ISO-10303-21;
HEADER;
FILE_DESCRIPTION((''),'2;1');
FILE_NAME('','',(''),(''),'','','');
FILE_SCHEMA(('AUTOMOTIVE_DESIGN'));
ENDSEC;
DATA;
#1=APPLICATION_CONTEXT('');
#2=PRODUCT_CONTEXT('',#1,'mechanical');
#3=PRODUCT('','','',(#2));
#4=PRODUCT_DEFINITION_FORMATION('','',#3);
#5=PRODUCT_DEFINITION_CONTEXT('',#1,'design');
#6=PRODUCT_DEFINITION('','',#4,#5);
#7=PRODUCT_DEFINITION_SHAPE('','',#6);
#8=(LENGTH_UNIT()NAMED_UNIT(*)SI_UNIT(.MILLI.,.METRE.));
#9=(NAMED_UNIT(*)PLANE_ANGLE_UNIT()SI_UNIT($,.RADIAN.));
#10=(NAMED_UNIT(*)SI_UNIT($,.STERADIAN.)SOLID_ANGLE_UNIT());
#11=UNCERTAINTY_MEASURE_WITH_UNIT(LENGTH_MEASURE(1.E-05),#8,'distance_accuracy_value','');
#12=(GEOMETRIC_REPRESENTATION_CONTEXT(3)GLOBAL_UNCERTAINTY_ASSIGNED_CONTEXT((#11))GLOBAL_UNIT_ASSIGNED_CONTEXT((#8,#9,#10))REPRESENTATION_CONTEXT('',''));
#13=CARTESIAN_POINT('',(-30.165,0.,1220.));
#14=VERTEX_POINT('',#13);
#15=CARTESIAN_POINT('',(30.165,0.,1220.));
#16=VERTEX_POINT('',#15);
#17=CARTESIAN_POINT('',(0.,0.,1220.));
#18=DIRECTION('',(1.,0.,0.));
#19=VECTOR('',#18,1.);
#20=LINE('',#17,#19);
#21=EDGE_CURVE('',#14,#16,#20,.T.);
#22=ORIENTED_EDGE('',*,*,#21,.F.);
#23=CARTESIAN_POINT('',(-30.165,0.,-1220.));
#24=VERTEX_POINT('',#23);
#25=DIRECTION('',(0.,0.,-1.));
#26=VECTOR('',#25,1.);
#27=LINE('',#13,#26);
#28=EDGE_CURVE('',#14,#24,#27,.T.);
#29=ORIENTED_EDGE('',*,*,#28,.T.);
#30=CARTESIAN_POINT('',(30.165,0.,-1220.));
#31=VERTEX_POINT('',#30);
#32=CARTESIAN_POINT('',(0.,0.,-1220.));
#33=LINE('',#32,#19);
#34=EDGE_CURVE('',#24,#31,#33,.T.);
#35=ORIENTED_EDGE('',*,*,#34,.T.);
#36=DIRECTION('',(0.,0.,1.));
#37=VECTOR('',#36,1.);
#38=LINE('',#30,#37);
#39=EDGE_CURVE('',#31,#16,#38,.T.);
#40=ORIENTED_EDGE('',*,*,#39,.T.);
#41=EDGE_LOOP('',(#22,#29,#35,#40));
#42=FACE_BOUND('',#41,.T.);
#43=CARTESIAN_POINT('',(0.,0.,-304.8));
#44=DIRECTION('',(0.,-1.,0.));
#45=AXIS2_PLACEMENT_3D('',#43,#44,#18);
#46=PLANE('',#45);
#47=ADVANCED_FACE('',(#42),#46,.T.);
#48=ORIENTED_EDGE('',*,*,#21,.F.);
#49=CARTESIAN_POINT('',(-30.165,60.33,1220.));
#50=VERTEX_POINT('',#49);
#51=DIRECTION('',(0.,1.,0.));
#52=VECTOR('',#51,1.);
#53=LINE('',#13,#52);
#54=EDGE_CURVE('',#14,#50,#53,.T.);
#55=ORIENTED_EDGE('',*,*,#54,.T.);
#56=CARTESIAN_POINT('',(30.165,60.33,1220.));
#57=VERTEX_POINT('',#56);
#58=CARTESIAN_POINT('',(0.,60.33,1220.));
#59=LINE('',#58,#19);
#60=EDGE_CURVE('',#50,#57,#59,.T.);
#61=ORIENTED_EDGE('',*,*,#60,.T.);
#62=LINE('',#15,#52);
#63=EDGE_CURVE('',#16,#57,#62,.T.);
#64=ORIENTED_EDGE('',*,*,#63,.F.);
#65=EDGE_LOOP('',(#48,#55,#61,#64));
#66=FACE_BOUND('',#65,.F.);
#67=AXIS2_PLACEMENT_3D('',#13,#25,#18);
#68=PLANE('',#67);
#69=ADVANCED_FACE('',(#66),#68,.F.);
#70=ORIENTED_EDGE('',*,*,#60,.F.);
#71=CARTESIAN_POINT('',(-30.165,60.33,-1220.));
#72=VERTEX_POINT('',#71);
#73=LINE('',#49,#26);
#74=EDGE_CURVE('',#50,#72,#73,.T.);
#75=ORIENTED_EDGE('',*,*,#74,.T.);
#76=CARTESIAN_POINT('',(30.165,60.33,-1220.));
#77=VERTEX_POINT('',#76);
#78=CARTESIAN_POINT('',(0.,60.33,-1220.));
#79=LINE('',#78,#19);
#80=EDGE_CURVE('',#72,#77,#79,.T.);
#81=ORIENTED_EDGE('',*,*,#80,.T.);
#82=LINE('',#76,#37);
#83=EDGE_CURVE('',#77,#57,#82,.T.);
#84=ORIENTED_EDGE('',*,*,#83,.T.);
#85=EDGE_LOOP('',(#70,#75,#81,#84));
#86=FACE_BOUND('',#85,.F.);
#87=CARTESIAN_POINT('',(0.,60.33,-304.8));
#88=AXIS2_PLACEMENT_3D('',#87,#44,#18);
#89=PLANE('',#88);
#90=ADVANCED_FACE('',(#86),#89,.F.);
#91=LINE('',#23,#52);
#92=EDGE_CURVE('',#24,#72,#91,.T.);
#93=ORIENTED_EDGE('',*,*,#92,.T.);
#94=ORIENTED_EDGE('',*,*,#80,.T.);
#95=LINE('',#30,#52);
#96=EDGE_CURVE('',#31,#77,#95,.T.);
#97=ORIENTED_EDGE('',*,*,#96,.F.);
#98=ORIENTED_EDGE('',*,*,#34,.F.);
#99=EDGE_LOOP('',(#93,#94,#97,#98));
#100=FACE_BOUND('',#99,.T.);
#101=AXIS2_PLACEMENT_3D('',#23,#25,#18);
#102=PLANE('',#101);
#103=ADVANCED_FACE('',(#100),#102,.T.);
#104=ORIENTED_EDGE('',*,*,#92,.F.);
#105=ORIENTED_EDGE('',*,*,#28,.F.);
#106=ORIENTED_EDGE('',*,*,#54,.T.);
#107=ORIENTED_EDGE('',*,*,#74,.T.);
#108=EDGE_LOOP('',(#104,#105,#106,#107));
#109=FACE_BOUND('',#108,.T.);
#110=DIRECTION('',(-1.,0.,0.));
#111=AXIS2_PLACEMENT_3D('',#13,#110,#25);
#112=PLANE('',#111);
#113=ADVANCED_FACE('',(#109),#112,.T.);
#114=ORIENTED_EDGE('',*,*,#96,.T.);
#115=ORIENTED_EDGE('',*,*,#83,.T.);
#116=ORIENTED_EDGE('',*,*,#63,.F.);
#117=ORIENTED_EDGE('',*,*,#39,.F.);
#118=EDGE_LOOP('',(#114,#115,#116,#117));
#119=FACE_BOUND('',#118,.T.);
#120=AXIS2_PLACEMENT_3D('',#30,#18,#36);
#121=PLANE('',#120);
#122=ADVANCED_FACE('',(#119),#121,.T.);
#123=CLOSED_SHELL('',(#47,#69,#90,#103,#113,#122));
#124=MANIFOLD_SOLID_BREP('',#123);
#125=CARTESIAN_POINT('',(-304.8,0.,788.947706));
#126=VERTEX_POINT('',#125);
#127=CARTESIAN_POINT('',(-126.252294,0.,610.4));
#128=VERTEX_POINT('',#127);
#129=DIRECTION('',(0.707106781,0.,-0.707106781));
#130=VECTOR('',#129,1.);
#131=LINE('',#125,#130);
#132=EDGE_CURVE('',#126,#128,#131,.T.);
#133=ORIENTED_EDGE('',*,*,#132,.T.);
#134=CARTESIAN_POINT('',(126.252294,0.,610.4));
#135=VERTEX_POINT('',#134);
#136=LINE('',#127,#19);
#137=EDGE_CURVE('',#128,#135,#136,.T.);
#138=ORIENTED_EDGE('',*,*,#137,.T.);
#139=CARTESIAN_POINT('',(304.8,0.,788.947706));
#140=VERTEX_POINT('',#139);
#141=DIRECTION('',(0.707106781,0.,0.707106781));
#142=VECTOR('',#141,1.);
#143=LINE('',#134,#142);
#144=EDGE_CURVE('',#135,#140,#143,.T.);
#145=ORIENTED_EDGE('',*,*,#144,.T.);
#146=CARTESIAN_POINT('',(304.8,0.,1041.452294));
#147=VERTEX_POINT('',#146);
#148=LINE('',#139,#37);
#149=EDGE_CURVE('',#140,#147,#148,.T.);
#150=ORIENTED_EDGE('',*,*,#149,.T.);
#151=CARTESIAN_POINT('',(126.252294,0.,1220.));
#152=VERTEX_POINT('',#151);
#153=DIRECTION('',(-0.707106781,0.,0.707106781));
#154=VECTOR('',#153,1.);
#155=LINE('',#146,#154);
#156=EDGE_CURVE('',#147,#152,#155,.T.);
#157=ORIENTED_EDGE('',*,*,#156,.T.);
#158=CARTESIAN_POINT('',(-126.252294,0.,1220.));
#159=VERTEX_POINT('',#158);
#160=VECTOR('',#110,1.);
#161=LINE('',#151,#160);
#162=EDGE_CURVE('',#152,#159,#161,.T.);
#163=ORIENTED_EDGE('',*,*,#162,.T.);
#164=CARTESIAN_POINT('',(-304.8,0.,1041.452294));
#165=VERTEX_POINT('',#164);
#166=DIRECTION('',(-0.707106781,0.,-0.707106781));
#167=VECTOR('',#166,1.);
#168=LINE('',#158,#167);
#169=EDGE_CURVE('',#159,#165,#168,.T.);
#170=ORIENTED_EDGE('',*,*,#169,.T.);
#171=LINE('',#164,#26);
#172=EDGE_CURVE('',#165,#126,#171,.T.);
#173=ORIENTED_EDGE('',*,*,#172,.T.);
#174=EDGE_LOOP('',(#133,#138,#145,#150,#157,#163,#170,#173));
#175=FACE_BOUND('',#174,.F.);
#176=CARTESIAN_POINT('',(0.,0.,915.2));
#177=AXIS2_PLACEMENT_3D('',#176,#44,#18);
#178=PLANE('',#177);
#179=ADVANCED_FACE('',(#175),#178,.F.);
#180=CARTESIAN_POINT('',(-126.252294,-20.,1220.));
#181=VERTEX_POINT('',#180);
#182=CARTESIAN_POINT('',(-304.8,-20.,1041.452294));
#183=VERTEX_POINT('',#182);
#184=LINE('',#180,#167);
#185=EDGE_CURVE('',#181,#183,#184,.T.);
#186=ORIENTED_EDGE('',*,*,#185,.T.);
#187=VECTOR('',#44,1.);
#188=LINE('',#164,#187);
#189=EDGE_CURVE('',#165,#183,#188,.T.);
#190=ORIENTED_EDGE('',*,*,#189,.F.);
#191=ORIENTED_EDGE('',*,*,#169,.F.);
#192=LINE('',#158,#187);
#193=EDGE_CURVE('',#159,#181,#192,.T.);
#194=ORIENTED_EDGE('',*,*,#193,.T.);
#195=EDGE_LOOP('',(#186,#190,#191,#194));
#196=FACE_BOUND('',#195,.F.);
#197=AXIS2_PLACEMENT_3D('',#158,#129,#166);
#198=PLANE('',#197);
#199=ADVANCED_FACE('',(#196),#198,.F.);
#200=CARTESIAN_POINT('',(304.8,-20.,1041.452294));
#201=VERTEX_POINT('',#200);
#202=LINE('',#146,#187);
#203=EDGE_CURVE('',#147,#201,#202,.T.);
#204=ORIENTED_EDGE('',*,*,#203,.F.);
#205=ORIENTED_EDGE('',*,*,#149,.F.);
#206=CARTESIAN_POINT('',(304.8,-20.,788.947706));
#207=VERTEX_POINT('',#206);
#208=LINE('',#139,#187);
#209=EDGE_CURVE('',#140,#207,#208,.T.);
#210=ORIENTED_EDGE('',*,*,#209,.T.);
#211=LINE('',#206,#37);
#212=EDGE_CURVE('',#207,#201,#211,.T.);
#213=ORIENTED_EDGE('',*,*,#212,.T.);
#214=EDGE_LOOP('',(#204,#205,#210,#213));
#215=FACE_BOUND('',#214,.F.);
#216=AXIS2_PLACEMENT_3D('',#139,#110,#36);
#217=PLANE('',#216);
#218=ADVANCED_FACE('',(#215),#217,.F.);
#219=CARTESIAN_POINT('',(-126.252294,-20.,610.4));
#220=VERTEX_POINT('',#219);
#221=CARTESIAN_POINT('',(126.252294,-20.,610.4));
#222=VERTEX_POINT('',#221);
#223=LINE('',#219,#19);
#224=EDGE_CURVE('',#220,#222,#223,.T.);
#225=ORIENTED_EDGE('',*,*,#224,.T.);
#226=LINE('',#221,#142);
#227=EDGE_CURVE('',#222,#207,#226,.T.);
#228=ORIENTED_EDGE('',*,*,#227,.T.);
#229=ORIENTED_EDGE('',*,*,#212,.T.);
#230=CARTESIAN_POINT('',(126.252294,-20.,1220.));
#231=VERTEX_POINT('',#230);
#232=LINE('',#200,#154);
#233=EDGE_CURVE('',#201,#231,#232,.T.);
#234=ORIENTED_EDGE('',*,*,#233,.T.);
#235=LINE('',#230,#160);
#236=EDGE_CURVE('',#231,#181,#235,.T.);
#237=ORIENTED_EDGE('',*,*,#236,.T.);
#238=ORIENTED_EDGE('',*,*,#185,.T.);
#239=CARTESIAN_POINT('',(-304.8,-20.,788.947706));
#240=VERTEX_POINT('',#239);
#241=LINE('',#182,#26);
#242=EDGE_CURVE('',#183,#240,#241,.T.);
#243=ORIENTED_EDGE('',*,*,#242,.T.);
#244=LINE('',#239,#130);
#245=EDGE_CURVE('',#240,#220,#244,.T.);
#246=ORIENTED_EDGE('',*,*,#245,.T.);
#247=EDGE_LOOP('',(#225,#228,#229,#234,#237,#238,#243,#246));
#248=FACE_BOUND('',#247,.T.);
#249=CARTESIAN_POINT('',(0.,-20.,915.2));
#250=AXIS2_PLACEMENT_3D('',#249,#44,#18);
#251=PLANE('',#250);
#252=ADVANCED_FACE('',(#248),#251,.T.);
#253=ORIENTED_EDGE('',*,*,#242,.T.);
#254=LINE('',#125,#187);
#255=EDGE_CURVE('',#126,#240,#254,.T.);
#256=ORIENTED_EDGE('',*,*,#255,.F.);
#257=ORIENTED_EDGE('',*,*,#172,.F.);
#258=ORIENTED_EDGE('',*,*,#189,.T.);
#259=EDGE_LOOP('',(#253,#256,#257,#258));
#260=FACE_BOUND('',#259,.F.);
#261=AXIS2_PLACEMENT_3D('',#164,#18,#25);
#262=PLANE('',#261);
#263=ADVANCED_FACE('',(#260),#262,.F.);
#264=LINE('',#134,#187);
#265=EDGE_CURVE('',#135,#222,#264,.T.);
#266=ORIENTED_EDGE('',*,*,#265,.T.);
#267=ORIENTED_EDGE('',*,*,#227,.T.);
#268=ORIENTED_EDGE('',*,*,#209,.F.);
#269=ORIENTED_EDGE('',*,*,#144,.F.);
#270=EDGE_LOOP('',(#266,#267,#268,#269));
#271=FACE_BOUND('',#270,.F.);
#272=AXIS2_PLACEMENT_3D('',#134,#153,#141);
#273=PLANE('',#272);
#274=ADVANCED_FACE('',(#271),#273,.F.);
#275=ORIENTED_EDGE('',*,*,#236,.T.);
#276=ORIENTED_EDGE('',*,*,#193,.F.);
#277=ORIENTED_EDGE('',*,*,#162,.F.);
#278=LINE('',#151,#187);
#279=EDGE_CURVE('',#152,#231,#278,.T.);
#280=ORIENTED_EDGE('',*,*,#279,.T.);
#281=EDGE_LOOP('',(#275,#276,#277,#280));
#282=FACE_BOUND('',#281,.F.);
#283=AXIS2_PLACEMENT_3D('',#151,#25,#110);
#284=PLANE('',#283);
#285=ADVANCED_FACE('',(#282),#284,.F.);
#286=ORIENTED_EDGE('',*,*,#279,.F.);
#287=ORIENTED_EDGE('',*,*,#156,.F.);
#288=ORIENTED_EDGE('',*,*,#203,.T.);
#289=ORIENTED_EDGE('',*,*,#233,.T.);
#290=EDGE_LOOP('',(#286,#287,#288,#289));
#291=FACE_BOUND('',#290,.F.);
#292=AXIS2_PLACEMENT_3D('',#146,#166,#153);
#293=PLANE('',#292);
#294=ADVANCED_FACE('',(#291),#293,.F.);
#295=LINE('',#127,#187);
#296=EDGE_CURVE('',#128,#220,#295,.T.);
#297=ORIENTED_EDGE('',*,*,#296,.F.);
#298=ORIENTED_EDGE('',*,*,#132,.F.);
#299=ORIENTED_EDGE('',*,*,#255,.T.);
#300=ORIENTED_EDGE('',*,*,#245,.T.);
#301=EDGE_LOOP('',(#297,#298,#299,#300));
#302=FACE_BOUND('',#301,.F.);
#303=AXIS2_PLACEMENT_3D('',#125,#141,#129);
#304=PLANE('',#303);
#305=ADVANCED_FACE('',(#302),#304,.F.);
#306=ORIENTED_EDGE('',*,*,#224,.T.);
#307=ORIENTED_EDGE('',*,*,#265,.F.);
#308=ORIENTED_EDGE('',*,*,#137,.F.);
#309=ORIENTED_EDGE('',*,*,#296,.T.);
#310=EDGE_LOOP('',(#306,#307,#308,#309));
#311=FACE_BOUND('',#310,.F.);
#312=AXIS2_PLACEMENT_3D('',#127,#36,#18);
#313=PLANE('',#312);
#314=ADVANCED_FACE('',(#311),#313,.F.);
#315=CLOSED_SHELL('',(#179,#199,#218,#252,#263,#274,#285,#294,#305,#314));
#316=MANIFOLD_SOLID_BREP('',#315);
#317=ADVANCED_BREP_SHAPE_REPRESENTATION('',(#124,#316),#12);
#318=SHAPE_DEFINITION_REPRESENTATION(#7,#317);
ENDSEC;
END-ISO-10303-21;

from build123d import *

# Parameters (mm, degrees)
F1_W     = 60.33
F1_H     = 609.6
F2_DEPTH = 20
F1_H_2   = 1830.4
F3_DEPTH = 60.33


with BuildPart() as f2:
    # F1 (on Front) → F2 (new body)
    with BuildSketch(Plane.XZ):
        with Locations((0, 915.2)):
            Rectangle(F1_W, F1_H)
        Polygon((-30.165, 610.4), (-30.165, 1220), (-126.252294, 1220), (-304.8, 1041.452294), (-304.8, 788.947706), (-126.252294, 610.4), align=None)
        Polygon((126.252294, 1220), (30.165, 1220), (30.165, 610.4), (126.252294, 610.4), (304.8, 788.947706), (304.8, 1041.452294), align=None)
    extrude(amount=F2_DEPTH)


with BuildPart() as f3:
    # F1 (on Front) → F3 (new body)
    with BuildSketch(Plane.XZ):
        with Locations((0, -304.8)):
            Rectangle(F1_W, F1_H_2)
        with Locations((0, 915.2)):
            Rectangle(F1_W, F1_H)
    extrude(amount=-F3_DEPTH)


solid = Compound([f2.part, f3.part])
